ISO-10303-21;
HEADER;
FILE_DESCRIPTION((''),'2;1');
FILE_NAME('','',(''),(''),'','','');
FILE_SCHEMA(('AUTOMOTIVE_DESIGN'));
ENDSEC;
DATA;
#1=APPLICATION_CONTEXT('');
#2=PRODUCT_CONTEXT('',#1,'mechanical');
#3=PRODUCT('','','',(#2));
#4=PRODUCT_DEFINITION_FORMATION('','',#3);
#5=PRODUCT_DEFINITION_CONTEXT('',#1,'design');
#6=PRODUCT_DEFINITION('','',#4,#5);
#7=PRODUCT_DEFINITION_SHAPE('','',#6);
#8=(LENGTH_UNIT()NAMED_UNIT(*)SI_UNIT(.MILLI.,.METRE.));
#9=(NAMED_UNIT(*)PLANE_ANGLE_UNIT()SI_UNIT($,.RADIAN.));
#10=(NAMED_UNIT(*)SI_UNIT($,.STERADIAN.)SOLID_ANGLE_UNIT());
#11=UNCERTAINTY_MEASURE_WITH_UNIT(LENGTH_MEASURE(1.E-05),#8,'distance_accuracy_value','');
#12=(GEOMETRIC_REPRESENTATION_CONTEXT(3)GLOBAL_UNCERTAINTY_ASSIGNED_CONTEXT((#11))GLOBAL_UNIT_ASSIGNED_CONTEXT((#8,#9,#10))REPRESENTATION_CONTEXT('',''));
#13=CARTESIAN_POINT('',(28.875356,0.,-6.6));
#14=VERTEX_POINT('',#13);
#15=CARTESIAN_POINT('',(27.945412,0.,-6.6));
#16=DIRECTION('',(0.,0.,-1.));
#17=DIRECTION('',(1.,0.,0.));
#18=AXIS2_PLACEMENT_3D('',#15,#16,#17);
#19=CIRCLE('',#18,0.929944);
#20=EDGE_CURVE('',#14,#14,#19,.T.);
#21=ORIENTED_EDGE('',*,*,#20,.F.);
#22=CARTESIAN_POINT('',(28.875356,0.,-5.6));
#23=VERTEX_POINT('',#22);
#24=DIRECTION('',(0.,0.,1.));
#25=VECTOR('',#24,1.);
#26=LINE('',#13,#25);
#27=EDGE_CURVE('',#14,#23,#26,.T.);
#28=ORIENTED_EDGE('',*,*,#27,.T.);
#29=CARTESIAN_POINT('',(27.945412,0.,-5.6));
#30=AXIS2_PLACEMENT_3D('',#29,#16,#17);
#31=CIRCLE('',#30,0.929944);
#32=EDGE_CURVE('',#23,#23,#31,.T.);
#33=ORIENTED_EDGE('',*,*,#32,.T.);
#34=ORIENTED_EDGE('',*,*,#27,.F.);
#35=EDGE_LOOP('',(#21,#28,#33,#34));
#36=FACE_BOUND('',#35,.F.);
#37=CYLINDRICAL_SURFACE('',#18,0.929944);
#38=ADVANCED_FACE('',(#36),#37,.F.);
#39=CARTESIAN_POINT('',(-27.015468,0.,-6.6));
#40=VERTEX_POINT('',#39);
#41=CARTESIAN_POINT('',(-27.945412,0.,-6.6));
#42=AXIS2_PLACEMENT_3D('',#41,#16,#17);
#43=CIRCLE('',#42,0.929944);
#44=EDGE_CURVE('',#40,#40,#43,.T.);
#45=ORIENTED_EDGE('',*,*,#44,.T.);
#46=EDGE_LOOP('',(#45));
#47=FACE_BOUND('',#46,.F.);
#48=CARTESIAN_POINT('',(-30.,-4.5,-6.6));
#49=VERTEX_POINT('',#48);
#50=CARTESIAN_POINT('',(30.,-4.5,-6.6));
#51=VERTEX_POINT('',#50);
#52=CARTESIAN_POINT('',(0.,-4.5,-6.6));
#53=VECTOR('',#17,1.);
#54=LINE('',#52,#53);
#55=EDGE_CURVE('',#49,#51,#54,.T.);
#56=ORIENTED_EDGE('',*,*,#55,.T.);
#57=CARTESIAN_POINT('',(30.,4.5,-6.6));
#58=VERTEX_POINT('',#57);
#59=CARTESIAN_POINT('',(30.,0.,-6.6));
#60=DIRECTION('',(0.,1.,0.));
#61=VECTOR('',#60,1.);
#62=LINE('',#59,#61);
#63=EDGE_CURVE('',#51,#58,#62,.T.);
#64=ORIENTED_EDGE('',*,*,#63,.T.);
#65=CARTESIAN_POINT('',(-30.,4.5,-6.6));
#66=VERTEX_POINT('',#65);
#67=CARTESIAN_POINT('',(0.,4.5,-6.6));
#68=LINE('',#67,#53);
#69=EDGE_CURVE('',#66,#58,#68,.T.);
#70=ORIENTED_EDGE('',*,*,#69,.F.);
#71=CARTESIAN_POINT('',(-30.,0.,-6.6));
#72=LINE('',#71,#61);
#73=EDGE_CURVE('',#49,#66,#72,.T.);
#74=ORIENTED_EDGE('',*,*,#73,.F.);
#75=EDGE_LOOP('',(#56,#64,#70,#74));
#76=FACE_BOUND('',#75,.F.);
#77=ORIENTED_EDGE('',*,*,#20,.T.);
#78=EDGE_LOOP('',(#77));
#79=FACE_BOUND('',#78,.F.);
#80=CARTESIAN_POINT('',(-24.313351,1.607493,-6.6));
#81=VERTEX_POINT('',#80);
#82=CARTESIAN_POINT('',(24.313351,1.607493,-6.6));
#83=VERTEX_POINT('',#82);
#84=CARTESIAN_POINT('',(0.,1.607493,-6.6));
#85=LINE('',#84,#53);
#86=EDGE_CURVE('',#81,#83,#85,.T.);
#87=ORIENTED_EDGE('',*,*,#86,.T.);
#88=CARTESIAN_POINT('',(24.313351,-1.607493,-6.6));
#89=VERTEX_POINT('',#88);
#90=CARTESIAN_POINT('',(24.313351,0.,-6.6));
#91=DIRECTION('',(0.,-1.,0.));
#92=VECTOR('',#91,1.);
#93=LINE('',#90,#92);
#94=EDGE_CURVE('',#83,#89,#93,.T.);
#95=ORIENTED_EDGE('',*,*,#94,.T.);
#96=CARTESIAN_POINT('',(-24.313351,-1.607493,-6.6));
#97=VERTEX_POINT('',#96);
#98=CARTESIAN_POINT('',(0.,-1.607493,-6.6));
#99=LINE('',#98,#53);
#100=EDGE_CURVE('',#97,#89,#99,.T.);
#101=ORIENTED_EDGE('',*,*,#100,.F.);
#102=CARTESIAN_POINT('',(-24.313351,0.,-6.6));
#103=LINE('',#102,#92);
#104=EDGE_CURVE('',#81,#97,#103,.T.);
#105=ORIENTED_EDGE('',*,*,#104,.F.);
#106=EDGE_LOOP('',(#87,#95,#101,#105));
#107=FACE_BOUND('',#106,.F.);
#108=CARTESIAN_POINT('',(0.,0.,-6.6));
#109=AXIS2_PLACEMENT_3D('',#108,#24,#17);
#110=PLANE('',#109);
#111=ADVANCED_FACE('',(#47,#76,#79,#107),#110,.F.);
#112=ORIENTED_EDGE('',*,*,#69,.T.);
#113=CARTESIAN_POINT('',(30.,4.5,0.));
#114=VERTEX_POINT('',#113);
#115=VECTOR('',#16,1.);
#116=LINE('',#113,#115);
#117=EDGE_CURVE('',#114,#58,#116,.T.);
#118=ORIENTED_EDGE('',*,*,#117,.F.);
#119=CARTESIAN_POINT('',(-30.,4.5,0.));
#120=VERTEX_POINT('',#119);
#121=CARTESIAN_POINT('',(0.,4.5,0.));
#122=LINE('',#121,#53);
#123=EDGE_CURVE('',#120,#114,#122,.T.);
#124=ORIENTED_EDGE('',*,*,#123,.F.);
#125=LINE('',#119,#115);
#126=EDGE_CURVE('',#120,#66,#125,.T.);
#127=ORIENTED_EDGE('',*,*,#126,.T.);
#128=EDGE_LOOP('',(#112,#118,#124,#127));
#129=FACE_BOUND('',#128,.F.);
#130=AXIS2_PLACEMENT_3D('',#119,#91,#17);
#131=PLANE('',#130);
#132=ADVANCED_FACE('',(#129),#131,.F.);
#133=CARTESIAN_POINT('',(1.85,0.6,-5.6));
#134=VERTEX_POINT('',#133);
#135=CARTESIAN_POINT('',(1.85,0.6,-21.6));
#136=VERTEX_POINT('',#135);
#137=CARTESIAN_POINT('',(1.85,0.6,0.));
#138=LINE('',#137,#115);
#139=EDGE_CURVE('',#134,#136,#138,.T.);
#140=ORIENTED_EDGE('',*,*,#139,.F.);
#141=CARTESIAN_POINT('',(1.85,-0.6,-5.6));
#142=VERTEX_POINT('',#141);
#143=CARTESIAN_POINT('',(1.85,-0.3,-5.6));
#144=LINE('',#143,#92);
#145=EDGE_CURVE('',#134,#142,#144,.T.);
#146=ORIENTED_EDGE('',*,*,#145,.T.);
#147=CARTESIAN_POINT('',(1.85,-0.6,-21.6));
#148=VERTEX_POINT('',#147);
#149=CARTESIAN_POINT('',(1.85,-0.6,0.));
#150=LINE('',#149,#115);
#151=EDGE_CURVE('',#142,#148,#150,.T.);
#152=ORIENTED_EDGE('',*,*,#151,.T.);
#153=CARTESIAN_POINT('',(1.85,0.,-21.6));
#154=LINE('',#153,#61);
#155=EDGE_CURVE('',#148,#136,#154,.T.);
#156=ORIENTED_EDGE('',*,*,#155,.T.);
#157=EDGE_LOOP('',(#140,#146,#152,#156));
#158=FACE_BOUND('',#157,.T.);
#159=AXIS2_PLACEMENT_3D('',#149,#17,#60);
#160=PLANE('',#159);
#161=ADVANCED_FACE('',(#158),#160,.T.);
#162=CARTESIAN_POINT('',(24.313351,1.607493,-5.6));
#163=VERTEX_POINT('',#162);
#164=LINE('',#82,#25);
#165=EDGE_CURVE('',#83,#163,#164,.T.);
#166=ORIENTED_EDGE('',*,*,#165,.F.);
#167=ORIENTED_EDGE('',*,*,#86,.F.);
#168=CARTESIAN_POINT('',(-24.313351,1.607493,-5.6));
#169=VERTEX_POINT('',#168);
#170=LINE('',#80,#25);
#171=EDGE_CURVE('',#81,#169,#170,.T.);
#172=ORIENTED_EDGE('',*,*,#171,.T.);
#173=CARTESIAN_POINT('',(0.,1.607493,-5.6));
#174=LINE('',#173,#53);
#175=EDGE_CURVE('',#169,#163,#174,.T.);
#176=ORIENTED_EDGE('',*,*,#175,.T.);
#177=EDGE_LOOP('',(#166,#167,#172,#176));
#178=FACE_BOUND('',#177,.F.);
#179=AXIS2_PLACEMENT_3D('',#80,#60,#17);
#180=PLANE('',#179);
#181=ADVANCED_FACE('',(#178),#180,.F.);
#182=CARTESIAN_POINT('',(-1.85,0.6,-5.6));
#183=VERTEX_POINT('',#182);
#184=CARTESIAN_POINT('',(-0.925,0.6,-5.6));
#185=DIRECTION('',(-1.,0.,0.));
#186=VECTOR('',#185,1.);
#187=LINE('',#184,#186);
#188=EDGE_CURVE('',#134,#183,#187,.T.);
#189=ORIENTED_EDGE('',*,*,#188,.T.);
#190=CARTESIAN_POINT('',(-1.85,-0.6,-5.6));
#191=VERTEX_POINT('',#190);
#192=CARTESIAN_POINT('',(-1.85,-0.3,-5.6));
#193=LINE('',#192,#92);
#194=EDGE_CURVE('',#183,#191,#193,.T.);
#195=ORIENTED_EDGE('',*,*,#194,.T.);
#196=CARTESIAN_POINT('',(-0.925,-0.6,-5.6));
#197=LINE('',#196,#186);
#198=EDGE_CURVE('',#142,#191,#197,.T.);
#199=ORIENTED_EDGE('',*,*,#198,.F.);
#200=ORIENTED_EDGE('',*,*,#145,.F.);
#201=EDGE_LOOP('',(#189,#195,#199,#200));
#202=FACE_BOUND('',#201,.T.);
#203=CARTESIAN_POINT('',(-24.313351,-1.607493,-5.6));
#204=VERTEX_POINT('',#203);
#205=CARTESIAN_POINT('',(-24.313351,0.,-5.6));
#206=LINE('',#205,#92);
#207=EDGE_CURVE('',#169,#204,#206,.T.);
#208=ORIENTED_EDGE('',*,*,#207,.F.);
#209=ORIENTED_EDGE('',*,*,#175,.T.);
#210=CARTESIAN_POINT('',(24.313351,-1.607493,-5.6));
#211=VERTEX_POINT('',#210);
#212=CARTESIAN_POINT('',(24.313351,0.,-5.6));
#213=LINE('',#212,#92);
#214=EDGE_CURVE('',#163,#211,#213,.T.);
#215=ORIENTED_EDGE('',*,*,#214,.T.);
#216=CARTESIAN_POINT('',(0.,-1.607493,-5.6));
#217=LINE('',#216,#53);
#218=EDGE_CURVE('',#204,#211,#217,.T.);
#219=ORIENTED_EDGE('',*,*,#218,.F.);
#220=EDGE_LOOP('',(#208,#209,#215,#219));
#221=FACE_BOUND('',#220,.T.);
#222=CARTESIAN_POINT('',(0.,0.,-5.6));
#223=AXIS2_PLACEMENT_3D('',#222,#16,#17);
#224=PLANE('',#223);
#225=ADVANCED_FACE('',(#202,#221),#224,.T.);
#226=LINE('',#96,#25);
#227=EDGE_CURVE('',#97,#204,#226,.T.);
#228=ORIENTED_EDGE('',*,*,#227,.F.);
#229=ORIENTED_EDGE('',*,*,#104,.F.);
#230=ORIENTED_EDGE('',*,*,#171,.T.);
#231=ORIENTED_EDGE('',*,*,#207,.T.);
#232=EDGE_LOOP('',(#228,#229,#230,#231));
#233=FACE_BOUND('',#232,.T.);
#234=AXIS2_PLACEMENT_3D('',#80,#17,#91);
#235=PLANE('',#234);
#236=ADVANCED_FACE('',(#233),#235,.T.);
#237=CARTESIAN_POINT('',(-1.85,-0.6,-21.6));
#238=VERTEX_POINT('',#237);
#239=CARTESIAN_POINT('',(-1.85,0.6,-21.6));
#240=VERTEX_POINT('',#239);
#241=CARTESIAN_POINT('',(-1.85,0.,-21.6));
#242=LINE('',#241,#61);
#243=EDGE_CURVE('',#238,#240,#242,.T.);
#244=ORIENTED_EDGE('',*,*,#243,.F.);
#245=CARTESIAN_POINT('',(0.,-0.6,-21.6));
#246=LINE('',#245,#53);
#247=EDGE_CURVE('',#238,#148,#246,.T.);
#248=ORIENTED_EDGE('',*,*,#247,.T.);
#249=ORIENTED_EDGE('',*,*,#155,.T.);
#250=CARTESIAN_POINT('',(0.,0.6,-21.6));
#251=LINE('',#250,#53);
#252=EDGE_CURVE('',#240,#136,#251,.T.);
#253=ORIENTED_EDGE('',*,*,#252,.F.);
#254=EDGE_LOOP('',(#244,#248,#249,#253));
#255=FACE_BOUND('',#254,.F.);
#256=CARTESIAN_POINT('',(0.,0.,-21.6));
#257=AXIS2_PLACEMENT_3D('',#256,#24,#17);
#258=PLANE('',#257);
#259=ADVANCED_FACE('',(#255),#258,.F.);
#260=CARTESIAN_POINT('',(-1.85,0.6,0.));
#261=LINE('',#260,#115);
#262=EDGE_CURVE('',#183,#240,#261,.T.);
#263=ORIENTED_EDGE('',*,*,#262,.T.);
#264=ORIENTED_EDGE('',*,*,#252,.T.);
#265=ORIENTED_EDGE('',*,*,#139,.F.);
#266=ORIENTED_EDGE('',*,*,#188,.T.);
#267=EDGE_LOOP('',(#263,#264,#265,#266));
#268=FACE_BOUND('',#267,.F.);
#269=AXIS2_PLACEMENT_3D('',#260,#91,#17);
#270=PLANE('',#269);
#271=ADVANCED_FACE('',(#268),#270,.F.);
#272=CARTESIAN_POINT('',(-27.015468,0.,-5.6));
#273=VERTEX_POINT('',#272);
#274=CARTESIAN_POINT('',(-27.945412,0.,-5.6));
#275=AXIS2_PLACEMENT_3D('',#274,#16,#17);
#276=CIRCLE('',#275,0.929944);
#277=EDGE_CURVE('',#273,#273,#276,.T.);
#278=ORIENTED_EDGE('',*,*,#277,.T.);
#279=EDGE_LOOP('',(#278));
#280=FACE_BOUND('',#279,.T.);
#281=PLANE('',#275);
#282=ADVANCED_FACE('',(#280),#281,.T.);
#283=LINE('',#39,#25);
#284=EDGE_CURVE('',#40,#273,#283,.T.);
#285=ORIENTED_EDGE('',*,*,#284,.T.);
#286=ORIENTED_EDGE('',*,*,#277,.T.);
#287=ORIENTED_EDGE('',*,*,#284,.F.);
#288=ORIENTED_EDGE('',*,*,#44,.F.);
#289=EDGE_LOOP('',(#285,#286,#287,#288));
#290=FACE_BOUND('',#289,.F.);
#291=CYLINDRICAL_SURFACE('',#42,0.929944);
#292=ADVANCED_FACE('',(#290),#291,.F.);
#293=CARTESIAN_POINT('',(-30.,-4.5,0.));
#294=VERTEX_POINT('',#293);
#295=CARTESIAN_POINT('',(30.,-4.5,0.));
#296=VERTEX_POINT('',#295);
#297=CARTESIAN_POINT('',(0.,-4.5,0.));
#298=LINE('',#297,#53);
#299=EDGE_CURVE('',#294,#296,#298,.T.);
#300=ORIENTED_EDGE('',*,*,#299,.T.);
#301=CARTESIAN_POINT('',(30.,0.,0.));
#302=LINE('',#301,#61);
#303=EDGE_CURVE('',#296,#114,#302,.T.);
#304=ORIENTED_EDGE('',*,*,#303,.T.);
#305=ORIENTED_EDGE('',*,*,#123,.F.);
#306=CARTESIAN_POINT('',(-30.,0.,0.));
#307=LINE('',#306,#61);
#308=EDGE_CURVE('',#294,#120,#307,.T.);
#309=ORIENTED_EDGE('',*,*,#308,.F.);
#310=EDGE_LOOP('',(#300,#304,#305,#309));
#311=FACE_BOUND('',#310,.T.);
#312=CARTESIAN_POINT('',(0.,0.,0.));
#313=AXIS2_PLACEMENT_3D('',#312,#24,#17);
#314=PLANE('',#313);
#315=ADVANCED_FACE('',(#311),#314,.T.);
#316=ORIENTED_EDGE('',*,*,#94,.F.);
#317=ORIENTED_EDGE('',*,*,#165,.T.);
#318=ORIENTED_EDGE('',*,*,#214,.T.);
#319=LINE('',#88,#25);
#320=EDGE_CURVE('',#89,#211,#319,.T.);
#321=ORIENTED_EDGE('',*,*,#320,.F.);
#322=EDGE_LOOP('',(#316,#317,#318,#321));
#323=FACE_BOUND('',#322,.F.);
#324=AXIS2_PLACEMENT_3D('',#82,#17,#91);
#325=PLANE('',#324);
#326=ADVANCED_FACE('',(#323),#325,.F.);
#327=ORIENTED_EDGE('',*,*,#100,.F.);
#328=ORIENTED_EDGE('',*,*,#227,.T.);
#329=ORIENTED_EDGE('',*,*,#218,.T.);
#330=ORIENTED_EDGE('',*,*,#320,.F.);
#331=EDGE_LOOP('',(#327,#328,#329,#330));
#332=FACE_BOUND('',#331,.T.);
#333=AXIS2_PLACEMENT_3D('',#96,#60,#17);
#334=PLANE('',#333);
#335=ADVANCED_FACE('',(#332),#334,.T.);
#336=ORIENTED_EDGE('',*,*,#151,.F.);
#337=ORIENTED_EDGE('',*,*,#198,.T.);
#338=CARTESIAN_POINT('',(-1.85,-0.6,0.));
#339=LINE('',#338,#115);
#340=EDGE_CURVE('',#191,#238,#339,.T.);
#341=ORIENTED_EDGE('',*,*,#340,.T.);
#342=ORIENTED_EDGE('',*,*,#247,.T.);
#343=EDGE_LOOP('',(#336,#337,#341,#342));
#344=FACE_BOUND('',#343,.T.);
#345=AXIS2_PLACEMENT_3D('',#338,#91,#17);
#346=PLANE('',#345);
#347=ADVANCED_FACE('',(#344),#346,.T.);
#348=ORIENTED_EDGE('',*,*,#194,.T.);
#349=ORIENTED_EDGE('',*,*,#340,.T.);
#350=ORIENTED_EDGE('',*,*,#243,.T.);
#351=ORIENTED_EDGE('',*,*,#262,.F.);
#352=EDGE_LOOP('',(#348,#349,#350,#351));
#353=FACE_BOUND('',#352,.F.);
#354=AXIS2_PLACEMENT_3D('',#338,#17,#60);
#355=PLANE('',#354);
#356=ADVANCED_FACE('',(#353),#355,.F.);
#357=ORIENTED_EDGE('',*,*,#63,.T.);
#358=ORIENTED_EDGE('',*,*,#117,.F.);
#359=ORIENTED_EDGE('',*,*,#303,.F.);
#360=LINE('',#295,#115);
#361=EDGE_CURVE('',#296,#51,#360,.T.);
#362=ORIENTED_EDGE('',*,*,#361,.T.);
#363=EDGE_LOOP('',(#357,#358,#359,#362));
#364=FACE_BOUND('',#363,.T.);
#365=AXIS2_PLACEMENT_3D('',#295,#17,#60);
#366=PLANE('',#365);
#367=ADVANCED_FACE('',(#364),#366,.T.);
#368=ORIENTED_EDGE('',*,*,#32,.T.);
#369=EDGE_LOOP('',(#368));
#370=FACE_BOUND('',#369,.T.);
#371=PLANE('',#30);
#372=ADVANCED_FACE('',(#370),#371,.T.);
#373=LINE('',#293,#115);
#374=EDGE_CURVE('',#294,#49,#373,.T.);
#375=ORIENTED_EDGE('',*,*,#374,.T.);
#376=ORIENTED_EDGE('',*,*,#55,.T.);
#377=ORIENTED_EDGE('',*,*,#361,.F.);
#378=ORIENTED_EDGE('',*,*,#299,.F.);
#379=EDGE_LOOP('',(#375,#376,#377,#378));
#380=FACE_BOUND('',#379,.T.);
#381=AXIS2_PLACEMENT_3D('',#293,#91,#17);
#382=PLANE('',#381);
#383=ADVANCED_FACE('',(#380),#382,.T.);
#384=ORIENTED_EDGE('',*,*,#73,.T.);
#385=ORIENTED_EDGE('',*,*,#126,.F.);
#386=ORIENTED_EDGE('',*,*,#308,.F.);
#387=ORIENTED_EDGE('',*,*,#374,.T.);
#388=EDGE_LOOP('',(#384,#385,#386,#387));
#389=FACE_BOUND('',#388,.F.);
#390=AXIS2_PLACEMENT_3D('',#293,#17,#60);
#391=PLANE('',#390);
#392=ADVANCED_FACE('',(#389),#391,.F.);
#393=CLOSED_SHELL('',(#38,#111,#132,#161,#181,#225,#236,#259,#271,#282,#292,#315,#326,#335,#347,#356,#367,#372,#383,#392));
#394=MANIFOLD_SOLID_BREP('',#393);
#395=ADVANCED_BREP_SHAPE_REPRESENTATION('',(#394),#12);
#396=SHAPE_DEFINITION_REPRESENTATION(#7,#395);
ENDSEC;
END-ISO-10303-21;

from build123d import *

# Parameters (mm, degrees)
F0_W     = 60
F0_H     = 9
F1_DEPTH = 6.6
F2_W     = 48.626702
F2_H     = 3.214986
F2_R     = 0.929944
F3_DEPTH = 1
F4_W     = 3.7
F4_H     = 1.2
F5_DEPTH = 21.6


with BuildPart() as f1:
    # F0 (on Top) → F1 (new body)
    with BuildSketch(Plane.XY):
        Rectangle(F0_W, F0_H)
    extrude(amount=-F1_DEPTH)

    # F2 (on face) → F3 (cut)
    with BuildSketch(Plane(origin=(0, 0, -6.6), x_dir=(1, 0, 0), z_dir=(0, 0, -1))):
        Rectangle(F2_W, F2_H)
        with Locations((-27.945412, 0)):
            Circle(F2_R)
        with Locations((27.945412, 0)):
            Circle(F2_R)
    extrude(amount=-F3_DEPTH, mode=Mode.SUBTRACT)

    # F4 (on face) → F5 (join)
    with BuildSketch(Plane.XY):
        Rectangle(F4_W, F4_H)
    extrude(amount=-F5_DEPTH)


solid = f1.part
